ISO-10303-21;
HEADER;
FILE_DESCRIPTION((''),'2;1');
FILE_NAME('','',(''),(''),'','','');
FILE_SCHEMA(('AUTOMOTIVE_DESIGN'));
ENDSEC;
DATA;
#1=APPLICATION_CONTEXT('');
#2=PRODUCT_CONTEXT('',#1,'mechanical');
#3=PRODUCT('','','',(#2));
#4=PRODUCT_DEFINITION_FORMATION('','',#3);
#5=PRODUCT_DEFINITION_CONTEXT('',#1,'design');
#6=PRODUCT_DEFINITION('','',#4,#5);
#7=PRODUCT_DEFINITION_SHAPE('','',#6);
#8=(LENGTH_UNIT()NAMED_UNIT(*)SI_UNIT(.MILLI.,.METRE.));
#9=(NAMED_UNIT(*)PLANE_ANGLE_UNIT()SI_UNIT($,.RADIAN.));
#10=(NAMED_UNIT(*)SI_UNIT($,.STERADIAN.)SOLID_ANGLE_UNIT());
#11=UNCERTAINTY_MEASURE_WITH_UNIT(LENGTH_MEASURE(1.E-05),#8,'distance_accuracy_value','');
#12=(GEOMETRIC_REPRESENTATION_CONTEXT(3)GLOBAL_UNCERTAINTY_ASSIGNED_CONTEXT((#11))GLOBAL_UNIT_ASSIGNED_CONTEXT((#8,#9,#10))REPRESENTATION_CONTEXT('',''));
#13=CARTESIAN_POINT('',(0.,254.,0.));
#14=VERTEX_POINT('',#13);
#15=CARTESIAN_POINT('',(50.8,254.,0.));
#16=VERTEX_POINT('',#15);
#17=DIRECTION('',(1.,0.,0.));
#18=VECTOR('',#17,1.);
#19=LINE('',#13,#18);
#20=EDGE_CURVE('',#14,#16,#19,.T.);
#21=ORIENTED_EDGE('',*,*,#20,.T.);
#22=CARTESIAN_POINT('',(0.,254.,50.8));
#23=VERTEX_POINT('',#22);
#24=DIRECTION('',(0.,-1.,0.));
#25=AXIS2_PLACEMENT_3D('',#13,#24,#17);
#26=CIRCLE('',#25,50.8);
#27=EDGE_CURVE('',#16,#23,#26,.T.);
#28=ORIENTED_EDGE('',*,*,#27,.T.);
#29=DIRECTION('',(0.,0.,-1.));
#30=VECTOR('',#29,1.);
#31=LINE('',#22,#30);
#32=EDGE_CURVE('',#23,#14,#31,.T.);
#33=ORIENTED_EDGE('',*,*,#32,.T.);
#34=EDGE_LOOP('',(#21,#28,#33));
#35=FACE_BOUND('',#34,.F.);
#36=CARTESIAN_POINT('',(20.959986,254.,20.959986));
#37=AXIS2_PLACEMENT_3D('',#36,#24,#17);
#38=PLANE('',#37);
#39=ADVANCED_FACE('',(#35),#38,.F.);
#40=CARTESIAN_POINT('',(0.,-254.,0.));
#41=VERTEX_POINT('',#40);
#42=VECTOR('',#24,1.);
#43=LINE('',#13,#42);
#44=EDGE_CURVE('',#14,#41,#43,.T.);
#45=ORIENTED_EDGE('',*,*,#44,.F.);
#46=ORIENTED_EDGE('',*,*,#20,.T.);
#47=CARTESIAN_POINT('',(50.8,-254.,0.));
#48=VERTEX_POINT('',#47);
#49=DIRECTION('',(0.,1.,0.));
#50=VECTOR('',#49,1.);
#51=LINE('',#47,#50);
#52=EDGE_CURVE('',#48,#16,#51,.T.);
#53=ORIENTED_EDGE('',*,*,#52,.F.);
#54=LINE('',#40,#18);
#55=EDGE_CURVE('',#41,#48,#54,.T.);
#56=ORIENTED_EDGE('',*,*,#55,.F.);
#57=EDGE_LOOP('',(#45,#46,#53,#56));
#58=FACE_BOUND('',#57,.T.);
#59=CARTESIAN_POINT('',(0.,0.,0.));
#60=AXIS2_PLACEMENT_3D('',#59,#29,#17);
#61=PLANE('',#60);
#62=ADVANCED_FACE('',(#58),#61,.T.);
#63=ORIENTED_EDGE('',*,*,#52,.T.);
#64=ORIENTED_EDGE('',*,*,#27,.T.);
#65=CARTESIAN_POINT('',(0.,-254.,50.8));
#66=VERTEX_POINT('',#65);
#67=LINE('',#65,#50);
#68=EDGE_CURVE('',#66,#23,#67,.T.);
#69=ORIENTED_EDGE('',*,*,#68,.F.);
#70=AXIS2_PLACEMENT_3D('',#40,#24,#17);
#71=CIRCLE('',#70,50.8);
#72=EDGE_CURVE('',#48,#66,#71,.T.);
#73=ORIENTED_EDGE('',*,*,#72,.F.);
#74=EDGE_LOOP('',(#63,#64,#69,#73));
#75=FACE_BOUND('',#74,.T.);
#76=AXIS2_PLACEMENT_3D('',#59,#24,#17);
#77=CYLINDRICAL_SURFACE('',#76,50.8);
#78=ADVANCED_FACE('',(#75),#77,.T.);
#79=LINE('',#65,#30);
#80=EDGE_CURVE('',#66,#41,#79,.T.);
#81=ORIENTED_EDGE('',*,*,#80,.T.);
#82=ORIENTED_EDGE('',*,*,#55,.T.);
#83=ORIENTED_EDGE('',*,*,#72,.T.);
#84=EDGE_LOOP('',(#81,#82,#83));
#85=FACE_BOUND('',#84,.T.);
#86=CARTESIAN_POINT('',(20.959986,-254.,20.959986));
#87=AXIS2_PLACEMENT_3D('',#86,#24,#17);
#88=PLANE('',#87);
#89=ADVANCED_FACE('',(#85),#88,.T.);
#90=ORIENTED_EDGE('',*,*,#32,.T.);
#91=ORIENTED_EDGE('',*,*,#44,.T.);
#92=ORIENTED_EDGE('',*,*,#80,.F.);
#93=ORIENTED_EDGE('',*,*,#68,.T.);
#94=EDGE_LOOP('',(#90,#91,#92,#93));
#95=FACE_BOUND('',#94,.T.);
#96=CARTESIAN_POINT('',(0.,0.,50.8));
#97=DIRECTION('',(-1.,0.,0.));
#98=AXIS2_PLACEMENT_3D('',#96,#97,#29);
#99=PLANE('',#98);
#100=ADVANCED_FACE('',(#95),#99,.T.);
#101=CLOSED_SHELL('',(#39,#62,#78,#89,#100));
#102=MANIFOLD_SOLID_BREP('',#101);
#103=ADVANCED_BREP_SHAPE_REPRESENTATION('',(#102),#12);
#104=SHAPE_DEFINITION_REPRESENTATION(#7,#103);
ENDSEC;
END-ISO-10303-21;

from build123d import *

# Parameters (mm, degrees)
F1_DEPTH = 254


with BuildPart() as f1:
    # F0 (on Front) → F1 (new body, symmetric)
    with BuildSketch(Plane.XZ):
        with BuildLine():
            Line((0, 50.8), (0, 0))
            Line((0, 0), (50.8, 0))
            ThreePointArc((50.8, 0), (35.9210244843, 35.9210244843), (0, 50.8))
        make_face()
    extrude(amount=F1_DEPTH, both=True)


solid = f1.part
